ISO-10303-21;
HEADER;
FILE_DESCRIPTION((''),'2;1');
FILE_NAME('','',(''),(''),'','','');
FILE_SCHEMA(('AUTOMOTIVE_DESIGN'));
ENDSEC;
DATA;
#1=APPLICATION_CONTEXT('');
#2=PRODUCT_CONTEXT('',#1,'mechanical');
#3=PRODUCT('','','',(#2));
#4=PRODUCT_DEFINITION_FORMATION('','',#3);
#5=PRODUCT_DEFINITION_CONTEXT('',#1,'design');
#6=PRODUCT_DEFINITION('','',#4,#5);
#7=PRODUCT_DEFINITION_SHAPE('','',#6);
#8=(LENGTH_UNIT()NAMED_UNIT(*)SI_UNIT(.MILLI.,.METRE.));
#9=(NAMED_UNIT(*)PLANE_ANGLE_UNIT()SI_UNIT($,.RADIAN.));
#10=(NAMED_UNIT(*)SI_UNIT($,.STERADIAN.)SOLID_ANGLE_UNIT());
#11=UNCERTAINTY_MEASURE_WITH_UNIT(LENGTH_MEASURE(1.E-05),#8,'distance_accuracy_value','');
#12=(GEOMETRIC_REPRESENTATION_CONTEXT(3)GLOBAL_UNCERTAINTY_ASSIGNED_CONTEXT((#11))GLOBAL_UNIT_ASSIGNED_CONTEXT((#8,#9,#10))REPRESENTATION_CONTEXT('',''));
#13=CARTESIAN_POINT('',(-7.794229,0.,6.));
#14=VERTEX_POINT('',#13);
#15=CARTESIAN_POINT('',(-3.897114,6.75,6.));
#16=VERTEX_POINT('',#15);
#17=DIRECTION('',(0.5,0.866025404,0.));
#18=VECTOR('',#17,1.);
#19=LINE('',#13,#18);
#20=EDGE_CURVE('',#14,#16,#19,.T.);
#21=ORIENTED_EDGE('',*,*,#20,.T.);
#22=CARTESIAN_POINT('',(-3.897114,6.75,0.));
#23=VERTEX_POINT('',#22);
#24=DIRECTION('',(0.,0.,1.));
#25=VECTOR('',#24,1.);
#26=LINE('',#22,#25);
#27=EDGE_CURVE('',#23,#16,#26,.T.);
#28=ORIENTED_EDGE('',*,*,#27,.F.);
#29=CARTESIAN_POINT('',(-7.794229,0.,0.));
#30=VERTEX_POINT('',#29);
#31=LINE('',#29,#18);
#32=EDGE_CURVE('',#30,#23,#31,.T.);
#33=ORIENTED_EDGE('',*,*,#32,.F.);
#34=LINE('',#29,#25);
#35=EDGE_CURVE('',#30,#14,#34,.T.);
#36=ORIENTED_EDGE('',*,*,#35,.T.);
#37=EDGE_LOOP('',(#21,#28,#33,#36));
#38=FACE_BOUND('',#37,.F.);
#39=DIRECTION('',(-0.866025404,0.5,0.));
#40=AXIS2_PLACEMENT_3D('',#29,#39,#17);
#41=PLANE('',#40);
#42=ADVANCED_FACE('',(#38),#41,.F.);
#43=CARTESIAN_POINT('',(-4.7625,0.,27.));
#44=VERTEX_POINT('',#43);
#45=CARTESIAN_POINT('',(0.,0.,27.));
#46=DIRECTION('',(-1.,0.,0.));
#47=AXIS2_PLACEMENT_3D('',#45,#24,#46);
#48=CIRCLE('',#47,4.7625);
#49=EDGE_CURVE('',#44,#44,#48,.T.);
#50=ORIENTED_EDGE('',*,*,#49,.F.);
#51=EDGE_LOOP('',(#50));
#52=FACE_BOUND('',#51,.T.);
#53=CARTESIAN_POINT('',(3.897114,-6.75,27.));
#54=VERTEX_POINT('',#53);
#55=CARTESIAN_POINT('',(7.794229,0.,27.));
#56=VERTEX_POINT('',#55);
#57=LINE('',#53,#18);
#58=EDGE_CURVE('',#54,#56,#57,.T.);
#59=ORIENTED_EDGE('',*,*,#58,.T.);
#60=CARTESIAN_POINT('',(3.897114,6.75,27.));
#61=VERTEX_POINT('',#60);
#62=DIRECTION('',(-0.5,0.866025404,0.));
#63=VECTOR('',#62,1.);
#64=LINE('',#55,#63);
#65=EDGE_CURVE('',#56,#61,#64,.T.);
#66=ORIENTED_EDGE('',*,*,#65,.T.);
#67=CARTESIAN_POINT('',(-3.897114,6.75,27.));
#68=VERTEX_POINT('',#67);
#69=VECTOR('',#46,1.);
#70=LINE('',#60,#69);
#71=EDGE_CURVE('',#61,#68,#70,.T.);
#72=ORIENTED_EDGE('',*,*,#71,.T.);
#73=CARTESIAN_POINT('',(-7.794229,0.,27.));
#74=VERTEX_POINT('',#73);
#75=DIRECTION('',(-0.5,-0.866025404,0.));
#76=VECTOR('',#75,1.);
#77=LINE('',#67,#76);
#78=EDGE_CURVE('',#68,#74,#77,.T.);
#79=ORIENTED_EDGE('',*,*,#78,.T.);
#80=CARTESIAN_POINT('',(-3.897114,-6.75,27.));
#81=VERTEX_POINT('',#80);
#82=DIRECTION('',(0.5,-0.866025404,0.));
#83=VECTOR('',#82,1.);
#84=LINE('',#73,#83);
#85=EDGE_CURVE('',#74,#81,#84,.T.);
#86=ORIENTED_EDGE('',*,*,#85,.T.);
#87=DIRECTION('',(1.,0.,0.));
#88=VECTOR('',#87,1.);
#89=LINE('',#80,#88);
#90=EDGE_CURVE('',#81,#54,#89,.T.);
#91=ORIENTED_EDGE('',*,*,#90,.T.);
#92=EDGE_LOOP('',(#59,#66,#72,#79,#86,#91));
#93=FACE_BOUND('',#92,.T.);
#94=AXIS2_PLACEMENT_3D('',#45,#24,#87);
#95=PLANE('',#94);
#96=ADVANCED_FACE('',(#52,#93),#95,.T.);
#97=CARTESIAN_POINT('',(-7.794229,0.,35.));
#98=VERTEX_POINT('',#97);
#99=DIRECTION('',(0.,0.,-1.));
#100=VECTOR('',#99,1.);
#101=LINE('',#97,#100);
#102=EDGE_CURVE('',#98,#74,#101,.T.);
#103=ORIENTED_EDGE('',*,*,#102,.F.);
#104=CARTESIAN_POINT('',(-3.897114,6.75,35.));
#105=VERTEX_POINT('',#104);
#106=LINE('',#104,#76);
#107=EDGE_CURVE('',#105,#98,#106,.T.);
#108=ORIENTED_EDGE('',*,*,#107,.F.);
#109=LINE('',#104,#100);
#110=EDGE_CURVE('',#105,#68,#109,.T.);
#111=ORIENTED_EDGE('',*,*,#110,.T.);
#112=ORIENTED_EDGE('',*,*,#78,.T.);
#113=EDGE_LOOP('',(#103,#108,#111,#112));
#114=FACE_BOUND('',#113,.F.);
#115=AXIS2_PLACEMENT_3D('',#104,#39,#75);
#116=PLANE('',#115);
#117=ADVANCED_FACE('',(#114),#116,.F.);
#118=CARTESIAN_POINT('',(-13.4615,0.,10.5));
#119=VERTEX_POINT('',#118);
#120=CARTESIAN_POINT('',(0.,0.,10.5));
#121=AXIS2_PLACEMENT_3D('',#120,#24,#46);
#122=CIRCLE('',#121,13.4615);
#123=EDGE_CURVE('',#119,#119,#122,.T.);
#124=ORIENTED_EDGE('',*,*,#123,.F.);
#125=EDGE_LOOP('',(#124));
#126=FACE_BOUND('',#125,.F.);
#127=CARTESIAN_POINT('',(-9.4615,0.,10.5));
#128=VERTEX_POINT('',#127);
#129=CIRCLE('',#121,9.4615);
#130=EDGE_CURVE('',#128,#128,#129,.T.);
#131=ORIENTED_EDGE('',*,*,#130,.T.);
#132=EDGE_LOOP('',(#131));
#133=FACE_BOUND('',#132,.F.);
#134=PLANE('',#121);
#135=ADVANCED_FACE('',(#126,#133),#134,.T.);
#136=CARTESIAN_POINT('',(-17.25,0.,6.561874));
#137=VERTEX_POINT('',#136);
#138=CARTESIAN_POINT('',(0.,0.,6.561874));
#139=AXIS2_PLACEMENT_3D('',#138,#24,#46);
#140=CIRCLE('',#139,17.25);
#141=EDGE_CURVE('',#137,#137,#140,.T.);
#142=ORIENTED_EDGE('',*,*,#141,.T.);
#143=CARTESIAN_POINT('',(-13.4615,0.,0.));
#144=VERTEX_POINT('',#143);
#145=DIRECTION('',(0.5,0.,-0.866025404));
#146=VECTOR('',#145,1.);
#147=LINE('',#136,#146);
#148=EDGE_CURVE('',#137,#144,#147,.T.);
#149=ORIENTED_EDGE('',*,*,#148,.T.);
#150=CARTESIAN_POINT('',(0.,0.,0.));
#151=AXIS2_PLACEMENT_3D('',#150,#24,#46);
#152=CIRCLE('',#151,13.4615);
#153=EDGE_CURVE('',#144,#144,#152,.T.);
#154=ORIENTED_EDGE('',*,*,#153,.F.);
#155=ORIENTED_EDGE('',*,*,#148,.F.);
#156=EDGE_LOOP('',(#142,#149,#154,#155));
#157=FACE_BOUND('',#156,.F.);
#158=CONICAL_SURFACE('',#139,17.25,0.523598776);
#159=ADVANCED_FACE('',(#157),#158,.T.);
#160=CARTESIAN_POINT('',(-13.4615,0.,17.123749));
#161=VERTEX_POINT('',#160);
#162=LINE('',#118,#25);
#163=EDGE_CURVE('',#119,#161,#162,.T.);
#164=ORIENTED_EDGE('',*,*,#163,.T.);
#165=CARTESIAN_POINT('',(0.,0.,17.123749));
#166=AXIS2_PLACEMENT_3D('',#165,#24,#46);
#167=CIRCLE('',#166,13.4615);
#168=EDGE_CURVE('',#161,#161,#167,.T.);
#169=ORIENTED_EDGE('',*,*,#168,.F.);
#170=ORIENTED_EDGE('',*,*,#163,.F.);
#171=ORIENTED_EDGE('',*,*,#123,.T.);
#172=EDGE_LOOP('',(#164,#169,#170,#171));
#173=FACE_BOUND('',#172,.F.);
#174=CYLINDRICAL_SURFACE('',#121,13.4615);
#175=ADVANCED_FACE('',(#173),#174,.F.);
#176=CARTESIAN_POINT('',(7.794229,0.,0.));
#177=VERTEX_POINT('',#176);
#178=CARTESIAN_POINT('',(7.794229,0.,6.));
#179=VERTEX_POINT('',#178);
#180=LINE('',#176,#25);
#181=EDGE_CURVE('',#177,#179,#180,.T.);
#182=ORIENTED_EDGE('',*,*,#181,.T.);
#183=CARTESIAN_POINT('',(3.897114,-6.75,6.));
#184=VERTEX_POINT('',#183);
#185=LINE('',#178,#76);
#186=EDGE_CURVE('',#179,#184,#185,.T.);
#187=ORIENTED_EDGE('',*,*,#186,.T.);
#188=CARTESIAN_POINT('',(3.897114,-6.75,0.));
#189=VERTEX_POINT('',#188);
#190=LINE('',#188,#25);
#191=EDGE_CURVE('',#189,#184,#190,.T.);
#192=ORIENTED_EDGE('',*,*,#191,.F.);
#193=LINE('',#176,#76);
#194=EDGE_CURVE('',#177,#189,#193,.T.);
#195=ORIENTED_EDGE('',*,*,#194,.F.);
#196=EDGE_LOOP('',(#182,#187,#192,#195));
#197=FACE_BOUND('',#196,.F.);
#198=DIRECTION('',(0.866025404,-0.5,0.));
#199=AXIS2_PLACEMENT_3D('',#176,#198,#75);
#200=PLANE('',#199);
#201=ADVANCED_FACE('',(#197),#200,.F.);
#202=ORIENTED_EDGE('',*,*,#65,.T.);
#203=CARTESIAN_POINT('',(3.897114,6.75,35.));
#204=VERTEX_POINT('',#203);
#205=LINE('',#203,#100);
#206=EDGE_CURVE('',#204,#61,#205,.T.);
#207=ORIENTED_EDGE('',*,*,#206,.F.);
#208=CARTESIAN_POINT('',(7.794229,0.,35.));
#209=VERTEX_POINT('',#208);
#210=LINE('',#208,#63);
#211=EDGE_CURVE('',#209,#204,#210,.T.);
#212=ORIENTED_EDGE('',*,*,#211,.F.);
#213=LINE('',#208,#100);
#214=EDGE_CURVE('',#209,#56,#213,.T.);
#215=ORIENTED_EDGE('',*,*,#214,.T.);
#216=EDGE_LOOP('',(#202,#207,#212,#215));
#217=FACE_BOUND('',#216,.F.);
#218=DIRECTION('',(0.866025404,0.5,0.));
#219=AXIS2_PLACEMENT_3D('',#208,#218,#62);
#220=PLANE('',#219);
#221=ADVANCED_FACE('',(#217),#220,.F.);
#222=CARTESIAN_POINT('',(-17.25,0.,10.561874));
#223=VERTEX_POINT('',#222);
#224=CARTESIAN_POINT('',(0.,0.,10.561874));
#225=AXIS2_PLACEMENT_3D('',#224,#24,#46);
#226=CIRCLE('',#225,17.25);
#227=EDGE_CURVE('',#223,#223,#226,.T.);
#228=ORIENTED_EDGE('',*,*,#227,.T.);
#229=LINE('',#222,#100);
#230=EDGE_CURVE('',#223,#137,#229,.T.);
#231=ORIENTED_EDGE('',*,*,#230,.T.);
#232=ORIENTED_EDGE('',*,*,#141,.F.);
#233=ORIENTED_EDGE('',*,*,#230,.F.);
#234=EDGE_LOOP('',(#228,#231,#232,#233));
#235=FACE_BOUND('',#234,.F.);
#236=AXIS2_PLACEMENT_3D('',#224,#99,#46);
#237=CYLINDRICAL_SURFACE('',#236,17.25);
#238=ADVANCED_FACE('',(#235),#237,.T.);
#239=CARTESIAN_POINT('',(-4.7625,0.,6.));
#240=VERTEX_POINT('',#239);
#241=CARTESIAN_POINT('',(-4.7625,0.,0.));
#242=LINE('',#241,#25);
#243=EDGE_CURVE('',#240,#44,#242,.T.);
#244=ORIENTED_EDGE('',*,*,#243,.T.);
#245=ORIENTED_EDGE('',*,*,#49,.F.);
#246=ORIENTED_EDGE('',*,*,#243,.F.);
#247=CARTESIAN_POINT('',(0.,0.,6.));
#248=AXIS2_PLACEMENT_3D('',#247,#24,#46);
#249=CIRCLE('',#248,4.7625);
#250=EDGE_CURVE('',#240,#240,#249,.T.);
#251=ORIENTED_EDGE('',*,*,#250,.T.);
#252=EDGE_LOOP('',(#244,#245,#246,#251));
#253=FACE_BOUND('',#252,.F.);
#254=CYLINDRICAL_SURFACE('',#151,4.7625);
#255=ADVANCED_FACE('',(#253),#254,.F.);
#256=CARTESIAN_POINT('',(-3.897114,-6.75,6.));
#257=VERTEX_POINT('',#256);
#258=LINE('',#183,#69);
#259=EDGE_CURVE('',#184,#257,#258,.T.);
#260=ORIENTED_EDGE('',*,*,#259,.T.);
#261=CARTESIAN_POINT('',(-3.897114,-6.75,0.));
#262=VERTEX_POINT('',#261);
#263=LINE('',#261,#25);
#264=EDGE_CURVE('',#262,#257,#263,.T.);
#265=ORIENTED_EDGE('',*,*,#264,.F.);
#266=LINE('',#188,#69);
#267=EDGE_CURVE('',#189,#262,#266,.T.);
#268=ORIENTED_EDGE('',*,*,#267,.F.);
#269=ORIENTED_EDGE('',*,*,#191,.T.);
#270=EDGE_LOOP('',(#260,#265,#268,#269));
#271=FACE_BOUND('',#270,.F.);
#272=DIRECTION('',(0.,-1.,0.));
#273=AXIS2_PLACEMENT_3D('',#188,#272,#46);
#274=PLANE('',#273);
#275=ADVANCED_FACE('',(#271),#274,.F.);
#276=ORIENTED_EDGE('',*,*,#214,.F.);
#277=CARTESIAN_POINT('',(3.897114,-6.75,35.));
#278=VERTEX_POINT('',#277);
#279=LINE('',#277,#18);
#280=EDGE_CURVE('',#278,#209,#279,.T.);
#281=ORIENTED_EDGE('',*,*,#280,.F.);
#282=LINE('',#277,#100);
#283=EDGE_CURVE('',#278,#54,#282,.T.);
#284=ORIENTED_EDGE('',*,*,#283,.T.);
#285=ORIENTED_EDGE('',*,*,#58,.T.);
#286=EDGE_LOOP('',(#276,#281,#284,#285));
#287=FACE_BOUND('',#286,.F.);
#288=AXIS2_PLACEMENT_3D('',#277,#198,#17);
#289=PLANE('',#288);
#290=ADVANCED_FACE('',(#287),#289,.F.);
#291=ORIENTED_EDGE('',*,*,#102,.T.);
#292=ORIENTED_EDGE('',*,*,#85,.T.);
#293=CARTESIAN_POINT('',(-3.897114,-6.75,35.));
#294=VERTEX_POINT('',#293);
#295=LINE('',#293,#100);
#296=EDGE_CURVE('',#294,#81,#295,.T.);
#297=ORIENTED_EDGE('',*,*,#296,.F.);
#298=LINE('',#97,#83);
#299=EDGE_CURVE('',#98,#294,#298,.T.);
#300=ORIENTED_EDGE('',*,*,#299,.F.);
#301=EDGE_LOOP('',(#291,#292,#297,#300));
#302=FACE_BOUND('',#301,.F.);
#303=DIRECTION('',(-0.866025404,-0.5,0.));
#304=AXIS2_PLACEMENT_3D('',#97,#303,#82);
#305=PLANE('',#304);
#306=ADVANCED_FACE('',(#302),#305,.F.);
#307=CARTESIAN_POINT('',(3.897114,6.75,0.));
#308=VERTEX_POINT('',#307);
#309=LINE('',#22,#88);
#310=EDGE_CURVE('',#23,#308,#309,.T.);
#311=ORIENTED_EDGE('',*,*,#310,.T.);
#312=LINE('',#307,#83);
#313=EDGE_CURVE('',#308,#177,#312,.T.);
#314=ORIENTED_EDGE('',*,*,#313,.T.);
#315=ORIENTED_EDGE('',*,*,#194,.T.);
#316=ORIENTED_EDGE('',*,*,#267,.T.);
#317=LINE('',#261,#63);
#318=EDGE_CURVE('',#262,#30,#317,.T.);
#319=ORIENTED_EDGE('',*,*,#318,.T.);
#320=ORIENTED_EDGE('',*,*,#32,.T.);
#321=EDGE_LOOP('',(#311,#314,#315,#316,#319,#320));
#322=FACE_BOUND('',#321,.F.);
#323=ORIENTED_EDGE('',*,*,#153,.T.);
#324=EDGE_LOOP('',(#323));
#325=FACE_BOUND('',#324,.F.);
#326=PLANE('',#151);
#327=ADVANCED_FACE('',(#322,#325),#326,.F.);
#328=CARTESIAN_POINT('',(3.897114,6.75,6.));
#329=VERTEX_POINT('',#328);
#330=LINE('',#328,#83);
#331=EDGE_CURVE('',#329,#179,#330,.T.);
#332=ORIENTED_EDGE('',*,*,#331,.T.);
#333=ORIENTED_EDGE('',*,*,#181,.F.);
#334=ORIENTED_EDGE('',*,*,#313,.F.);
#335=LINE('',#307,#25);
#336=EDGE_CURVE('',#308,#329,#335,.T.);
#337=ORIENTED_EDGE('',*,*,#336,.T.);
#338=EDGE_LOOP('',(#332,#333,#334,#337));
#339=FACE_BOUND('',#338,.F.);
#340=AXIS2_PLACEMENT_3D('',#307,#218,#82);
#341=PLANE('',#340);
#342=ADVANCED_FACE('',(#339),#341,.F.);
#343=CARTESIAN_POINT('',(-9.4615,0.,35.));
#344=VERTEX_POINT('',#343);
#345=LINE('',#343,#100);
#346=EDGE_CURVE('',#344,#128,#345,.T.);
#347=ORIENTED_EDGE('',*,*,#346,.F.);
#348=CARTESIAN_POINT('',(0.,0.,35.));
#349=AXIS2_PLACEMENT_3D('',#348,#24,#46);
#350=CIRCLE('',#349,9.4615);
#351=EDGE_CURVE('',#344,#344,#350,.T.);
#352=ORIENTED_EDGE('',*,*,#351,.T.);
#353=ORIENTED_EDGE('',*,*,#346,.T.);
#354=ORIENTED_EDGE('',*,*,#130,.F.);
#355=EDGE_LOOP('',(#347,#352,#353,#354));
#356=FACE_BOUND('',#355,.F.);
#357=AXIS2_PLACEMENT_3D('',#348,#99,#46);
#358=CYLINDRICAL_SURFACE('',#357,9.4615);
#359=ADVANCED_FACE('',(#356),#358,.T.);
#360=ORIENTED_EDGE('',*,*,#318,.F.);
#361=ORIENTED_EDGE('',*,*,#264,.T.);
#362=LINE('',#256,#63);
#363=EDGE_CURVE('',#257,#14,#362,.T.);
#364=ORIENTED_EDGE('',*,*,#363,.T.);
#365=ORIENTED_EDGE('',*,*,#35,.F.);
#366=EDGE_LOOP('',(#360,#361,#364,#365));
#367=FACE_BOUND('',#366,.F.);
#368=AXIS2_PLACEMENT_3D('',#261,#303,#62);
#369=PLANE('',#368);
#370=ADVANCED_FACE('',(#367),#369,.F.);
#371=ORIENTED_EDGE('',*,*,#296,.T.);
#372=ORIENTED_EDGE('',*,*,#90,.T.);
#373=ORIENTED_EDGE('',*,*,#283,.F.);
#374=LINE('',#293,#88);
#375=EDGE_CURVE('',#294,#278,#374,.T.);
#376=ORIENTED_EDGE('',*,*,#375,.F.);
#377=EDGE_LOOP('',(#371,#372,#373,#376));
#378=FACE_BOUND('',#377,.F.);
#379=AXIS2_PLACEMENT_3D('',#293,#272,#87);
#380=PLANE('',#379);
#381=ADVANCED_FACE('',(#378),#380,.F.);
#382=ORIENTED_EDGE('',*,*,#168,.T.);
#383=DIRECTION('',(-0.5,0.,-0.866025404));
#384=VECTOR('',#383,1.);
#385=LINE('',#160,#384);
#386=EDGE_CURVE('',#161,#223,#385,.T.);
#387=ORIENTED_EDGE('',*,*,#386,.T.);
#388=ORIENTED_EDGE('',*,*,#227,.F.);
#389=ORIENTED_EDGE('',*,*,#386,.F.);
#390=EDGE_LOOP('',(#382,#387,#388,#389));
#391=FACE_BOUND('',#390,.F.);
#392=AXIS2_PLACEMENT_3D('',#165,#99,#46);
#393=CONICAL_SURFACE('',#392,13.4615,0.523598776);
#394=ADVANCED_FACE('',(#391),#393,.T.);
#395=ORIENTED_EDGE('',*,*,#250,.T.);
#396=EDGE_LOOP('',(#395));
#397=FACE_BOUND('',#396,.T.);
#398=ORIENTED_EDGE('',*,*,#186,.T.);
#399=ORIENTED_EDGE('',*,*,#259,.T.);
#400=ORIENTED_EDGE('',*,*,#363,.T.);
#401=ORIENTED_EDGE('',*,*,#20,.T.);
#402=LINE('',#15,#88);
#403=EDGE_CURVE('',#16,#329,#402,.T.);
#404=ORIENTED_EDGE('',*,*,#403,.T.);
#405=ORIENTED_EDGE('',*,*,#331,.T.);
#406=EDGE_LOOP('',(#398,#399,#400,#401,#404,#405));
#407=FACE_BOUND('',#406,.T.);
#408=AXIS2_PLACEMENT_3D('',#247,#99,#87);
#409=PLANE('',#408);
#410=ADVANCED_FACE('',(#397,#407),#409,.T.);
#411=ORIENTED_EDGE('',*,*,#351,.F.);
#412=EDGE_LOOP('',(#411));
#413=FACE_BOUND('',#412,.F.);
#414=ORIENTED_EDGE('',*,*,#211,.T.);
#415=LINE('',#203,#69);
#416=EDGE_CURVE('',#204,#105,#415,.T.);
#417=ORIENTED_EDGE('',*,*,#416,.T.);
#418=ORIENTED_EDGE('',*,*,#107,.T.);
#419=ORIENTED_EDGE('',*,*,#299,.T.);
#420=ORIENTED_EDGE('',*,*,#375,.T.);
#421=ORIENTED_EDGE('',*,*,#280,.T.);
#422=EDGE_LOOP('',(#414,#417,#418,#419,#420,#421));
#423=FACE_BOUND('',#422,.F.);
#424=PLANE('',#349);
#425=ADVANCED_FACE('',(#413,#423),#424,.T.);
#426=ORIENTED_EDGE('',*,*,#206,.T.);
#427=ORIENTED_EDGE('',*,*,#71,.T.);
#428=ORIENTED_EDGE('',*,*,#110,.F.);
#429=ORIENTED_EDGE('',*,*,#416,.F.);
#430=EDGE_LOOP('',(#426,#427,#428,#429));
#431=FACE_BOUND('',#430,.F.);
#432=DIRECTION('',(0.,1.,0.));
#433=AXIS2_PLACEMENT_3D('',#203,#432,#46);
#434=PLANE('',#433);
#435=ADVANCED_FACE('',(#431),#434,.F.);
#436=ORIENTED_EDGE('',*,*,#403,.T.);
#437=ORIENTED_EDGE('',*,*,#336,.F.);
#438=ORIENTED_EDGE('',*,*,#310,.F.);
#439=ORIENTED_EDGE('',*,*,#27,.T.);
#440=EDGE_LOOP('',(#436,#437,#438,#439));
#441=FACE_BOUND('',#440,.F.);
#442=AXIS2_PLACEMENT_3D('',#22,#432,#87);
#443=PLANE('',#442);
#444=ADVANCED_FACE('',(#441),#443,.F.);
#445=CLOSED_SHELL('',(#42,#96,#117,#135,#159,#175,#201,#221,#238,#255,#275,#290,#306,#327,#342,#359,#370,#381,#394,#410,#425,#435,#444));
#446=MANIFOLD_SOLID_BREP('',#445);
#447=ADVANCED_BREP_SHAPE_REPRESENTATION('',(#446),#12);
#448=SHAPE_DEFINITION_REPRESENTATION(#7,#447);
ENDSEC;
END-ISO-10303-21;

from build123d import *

# Parameters (mm, degrees)
F2_R     = 4.7625
F3_DEPTH = 8
F4_R     = 4.7625
F5_DEPTH = 6


with BuildPart() as f1:
    # F0 (on Front) → F1 (revolve)
    with BuildSketch(Plane.XZ):
        Polygon((-13.4615, 0), (-4.7625, 0), (-4.7625, 35), (-9.4615, 35), (-9.4615, 10.5), (-13.4615, 10.5), (-13.4615, 17.1237489689), (-17.25, 10.5618744845), (-17.25, 6.5618744845), align=None)
    revolve(axis=Axis((0, 0, 27.3268250281), (0, 0, 1)))

    # F2 (on face) → F3 (cut)
    with BuildSketch(Plane.XY.offset(35)):
        Polygon((3.897114317, 6.75), (-3.897114317, 6.75), (-7.7942286341, 0), (-3.897114317, -6.75), (3.897114317, -6.75), (7.7942286341, 0), align=None)
        Circle(F2_R, mode=Mode.SUBTRACT)
    extrude(amount=-F3_DEPTH, mode=Mode.SUBTRACT)

    # F4 (on face) → F5 (cut)
    with BuildSketch(Plane(origin=(0, 0, 0), x_dir=(1, 0, 0), z_dir=(0, 0, -1))):
        Polygon((3.897114317, 6.75), (-3.897114317, 6.75), (-7.7942286341, 0), (-3.897114317, -6.75), (3.897114317, -6.75), (7.7942286341, 0), align=None)
        Circle(F4_R, mode=Mode.SUBTRACT)
    extrude(amount=-F5_DEPTH, mode=Mode.SUBTRACT)


solid = f1.part
